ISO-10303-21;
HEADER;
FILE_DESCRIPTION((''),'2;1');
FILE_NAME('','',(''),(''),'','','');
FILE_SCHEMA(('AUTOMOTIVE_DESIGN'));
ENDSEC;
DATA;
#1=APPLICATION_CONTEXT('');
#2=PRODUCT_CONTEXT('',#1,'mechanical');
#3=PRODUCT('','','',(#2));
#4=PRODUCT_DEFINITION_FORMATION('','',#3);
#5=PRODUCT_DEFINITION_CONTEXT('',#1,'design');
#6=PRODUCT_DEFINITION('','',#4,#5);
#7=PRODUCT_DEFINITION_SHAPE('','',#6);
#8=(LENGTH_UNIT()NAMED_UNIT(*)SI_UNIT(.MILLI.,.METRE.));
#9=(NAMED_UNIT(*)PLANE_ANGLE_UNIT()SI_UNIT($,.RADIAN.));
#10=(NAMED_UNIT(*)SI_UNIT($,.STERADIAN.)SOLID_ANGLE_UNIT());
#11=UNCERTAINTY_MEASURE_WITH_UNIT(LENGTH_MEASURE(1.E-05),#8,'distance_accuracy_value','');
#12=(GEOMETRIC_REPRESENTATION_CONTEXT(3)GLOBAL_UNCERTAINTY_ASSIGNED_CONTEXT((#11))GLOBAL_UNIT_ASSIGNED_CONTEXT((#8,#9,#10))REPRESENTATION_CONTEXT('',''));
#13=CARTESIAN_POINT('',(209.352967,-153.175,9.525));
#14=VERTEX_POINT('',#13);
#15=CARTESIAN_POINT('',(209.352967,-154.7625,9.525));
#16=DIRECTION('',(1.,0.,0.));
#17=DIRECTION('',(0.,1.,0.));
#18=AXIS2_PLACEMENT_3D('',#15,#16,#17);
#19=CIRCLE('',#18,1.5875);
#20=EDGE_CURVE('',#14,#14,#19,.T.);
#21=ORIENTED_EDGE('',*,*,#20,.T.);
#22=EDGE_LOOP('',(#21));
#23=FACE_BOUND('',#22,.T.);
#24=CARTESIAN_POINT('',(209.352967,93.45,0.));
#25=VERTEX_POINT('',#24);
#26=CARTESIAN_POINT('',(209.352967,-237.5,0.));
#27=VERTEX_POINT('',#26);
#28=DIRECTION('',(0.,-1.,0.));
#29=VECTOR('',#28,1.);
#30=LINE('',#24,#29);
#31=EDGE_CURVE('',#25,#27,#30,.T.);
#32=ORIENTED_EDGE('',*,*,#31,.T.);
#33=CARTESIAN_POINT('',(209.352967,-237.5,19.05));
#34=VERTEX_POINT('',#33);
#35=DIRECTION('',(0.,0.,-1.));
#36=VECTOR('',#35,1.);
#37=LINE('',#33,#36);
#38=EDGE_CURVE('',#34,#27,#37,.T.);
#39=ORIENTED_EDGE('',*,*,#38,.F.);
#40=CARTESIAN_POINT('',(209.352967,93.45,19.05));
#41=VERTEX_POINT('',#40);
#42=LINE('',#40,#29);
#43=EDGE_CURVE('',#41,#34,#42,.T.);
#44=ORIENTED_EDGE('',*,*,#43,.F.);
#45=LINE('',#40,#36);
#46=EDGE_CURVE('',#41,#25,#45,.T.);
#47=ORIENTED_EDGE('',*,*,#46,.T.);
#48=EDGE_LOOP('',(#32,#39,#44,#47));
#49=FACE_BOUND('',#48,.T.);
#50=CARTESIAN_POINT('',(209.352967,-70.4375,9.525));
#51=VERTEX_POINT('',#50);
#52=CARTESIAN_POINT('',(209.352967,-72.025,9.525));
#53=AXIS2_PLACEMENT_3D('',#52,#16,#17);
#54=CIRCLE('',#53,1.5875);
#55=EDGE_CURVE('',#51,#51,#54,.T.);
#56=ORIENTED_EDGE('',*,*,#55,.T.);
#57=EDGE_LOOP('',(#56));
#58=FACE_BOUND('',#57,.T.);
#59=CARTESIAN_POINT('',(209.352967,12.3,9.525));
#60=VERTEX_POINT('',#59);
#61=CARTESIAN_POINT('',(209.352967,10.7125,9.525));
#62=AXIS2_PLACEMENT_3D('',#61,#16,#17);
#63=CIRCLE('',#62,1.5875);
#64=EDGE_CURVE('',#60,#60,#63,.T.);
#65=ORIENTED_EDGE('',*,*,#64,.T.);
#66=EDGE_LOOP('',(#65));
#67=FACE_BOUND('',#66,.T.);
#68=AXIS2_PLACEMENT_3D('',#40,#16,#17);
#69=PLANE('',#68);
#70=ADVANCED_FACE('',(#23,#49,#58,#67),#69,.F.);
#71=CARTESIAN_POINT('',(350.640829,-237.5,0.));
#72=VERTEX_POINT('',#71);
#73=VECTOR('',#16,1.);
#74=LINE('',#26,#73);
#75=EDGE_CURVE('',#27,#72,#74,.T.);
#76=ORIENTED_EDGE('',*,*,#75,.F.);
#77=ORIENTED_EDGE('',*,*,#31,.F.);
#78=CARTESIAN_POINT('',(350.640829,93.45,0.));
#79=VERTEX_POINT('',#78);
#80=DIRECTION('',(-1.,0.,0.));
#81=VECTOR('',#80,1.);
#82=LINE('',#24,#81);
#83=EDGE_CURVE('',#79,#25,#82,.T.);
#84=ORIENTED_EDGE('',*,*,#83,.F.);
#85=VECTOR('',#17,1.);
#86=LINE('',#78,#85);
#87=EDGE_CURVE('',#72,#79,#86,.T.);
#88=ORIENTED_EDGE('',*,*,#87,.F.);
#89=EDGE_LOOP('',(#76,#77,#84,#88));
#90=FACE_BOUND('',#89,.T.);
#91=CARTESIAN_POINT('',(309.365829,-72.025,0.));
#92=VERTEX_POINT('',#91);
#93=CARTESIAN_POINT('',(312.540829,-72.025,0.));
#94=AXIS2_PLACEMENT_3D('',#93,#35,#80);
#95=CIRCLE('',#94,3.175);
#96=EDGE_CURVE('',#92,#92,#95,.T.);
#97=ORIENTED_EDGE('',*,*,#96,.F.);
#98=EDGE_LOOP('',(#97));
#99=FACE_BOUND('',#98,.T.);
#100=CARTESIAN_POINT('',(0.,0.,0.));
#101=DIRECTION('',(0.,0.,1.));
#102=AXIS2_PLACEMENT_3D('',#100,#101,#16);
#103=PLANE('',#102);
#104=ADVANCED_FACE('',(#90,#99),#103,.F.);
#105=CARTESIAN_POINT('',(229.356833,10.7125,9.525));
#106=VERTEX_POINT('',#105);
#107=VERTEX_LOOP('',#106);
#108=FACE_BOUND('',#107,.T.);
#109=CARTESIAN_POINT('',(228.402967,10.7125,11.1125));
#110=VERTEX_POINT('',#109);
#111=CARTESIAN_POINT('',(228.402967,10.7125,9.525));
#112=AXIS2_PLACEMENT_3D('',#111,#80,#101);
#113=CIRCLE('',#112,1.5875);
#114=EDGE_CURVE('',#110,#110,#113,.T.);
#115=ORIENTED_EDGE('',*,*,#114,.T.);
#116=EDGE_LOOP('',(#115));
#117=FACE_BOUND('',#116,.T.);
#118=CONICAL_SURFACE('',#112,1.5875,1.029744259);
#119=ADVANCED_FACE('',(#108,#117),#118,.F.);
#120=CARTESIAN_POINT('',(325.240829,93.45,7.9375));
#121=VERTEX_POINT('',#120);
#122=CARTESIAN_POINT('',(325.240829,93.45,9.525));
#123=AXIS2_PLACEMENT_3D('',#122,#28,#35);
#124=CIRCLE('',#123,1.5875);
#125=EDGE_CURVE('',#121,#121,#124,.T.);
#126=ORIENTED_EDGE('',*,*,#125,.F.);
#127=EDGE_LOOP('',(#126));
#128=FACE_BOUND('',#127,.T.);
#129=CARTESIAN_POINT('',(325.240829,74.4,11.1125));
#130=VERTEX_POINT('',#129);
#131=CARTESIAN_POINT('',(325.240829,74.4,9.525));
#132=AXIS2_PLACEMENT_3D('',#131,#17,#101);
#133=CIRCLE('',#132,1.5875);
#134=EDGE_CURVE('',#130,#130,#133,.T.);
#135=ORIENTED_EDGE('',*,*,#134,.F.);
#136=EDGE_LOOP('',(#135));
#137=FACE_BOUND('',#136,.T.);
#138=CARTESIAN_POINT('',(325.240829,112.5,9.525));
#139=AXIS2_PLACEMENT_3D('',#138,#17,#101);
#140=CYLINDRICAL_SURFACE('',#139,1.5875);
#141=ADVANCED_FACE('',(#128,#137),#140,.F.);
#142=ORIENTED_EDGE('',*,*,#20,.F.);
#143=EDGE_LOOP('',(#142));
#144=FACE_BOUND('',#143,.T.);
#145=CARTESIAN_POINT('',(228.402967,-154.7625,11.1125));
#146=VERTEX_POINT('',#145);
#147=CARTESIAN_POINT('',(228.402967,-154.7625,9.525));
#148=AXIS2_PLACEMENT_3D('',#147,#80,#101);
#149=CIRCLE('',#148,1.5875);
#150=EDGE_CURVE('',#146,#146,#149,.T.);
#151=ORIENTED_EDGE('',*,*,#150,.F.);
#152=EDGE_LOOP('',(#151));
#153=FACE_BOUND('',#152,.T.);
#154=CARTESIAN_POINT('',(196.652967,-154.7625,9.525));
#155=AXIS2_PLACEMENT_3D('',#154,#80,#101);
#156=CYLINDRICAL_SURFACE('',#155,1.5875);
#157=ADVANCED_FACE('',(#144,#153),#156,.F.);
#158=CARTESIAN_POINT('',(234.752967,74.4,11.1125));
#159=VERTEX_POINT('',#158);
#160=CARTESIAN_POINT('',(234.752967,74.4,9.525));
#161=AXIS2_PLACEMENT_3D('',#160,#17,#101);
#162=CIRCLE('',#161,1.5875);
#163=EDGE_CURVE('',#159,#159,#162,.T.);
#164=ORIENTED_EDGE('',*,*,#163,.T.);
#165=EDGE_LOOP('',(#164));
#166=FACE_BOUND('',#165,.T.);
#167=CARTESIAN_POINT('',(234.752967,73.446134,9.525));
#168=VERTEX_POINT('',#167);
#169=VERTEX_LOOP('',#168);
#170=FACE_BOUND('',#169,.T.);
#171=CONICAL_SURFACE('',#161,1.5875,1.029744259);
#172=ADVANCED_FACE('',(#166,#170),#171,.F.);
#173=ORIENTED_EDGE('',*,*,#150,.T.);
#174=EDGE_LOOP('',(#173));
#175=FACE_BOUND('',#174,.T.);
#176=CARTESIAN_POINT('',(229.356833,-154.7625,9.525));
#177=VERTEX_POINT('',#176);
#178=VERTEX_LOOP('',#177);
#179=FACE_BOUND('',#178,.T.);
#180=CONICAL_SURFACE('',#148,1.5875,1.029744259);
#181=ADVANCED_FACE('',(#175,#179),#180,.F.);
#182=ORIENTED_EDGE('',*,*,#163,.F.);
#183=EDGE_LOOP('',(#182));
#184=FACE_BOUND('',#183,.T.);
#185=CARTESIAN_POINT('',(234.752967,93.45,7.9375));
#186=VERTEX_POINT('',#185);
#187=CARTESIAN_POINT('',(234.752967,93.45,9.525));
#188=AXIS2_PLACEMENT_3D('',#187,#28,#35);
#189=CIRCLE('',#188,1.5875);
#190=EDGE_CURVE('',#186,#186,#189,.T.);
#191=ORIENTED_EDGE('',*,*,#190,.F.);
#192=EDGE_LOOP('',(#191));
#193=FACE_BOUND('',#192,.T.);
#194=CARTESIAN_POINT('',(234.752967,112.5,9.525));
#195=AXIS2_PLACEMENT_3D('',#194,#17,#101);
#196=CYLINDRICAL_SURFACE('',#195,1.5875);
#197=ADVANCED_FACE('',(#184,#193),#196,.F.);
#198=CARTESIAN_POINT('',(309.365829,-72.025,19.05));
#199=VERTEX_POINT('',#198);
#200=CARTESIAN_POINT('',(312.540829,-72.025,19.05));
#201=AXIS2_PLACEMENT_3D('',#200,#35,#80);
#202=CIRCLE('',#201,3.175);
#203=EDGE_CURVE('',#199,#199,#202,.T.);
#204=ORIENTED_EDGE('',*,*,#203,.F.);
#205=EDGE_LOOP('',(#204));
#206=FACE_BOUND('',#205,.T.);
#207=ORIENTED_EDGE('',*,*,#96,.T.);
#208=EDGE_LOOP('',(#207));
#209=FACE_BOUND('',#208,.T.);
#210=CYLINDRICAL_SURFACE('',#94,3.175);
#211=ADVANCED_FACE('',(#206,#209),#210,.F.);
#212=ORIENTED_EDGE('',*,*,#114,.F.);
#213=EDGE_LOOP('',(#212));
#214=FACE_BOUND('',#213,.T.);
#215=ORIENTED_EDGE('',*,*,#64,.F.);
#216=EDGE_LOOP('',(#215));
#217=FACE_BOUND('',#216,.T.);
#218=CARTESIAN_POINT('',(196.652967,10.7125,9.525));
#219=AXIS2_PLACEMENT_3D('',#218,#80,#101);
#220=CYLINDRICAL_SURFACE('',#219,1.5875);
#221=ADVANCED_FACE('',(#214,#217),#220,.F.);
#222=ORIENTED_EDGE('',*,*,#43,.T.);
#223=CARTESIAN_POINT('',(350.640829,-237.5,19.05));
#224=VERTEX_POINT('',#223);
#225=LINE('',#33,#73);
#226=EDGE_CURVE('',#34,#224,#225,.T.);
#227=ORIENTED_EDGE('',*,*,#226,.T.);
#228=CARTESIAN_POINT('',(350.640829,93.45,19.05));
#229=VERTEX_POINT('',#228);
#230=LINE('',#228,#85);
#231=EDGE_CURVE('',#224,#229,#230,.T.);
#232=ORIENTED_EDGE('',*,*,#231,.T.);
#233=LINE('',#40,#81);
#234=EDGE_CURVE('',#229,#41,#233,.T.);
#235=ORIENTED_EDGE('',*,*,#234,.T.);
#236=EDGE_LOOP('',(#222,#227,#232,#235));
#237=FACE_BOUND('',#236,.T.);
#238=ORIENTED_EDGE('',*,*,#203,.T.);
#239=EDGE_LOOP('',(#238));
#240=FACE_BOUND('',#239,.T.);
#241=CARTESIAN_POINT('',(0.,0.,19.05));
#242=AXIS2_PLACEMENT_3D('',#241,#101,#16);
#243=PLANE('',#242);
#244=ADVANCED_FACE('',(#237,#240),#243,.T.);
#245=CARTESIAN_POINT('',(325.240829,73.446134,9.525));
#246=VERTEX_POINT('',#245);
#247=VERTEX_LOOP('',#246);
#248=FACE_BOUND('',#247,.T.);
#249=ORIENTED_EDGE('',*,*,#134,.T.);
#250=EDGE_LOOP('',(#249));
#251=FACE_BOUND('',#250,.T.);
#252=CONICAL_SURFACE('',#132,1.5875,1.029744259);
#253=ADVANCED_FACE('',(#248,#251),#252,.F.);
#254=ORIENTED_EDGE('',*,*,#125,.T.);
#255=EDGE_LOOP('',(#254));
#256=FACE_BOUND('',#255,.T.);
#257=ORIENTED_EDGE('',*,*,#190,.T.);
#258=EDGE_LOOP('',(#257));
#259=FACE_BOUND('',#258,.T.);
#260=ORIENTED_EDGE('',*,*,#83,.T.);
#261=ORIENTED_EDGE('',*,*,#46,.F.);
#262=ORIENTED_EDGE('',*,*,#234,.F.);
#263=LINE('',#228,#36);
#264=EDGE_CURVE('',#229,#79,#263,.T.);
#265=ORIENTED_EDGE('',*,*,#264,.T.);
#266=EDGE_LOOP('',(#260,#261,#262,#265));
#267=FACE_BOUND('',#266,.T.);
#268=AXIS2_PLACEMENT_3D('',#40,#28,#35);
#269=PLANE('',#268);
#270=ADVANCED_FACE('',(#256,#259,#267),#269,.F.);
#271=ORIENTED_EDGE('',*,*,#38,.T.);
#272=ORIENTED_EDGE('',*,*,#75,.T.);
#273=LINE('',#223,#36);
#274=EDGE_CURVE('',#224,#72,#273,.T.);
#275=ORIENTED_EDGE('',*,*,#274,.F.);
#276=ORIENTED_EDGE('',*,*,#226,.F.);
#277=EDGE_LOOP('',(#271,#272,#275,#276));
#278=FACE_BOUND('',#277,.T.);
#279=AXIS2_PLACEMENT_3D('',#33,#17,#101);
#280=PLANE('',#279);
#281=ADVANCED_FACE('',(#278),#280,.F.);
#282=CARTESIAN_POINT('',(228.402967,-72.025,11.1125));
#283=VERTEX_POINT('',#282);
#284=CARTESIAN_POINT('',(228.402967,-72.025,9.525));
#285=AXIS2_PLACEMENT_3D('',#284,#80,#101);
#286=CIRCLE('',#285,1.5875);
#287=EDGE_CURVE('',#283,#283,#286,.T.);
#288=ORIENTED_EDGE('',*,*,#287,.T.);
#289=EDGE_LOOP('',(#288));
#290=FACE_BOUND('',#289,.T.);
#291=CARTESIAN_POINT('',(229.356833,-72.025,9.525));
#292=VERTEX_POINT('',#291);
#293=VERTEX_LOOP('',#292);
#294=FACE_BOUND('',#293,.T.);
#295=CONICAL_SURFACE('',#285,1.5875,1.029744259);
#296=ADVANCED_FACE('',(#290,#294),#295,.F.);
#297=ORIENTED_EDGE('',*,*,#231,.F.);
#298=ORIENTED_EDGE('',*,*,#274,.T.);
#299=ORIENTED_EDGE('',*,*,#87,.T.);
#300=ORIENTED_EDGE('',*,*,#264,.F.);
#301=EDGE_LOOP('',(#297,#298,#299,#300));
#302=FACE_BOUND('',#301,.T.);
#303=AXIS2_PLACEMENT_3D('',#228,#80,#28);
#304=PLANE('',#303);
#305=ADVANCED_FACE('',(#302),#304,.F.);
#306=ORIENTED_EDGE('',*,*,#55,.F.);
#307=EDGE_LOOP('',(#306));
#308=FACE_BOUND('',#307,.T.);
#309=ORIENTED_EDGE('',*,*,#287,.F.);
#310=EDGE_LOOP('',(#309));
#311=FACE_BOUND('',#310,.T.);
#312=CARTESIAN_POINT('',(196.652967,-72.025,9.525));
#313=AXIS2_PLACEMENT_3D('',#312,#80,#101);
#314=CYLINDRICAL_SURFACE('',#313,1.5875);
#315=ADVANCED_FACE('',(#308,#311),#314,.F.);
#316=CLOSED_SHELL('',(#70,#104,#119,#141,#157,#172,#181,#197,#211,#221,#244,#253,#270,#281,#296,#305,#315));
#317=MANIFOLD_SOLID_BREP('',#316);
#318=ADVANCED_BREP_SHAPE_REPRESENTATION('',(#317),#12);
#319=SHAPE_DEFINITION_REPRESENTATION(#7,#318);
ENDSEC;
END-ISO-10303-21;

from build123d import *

# Parameters (mm, degrees)
SKETCH1_W                   = 141.287862113
SKETCH1_H                   = 330.949999988
BOSS_EXTRUDE1_DEPTH         = 19.05
HOLE1_D                     = 3.175
HOLE1_DEPTH                 = 31.75
HOLE1_CSINK_D               = 10.16
HOLE1_CSINK_ANGLE           = 82
HOLE1_TIP                   = 0.953866233
HOLE3_D                     = 3.175
HOLE3_DEPTH                 = 38.1
HOLE3_CSINK_D               = 10.16
HOLE3_CSINK_ANGLE           = 82
HOLE3_TIP                   = 0.953866233
F_1_4_0_25_DIAMETER_HOLE1_D = 6.35
HOLE4_D                     = 3.175
HOLE4_DEPTH                 = 31.75
HOLE4_CSINK_D               = 10.16
HOLE4_CSINK_ANGLE           = 82
HOLE4_TIP                   = 0.953866233
HOLE5_D                     = 3.175
HOLE5_DEPTH                 = 38.1
HOLE5_CSINK_D               = 10.16
HOLE5_CSINK_ANGLE           = 82
HOLE5_TIP                   = 0.953866233


with BuildPart() as part:
    # Sketch1 → Boss-Extrude1 (new body)
    with BuildSketch(Plane.XY):
        with Locations((279.996898238, -72.024999997)):
            Rectangle(SKETCH1_W, SKETCH1_H)
    extrude(amount=BOSS_EXTRUDE1_DEPTH)

    # Hole1
    with Locations(Plane(origin=(196.652967181, -72.024999997, 386.262770337), x_dir=(0, 1, 0), z_dir=(-1, 0, 0))):
        with Locations((174.999999994, 685.961004241), (174.999999994, 549.837259632), (174.999999994, 413.713515022), (81.549999997, 779.649723129), (81.549999997, 652.344645962), (62.499999997, 662.953402392), (62.499999997, 769.040966698), (-62.499999997, 769.040966698), (-62.499999997, 662.953402392), (-81.549999997, 652.344645962), (-81.549999997, 779.649723129), (-174.999999994, 413.713515022), (-174.999999994, 549.837259632), (-174.999999994, 685.961004241), (-82.737499997, 600.384620239), (0, 600.384620239), (82.737499997, 600.384620239), (0, 376.737770337), (-82.737499997, 376.737770337), (82.737499997, 376.737770337)):
            CounterSinkHole(HOLE1_D / 2, HOLE1_CSINK_D / 2, depth=HOLE1_DEPTH, counter_sink_angle=HOLE1_CSINK_ANGLE)
            with Locations((0, 0, -(HOLE1_DEPTH + HOLE1_TIP / 2))):  # 118° drill point
                Cone(0, HOLE1_D / 2, HOLE1_TIP, mode=Mode.SUBTRACT)

    # Hole3
    with Locations(Plane(origin=(-181.039434513, 112.499999997, 386.262770337), x_dir=(0.927183855, 0, -0.374606593), z_dir=(0, 1, 0))):
        with Locations((46.221112845, 113.488854888), (39.39759596, 37.945520226), (412.28786892, 80.423559293), (407.308516105, 25.297013484), (513.561319184, 161.164706775), (597.46020397, 127.267357003), (610.543339245, 159.649253123), (694.322923815, 367.011001477), (526.644454459, 193.546602895), (610.424039029, 400.908351249)):
            CounterSinkHole(HOLE3_D / 2, HOLE3_CSINK_D / 2, depth=HOLE3_DEPTH, counter_sink_angle=HOLE3_CSINK_ANGLE)
            with Locations((0, 0, -(HOLE3_DEPTH + HOLE3_TIP / 2))):  # 118° drill point
                Cone(0, HOLE3_D / 2, HOLE3_TIP, mode=Mode.SUBTRACT)

    # 1/4 (0.25) Diameter Hole1 (through all)
    with Locations(Plane(origin=(0, 0, 0), x_dir=(-1, 0, 0), z_dir=(0, 0, -1))):
        with Locations((-312.540829294, -72.024999997)):
            Hole(F_1_4_0_25_DIAMETER_HOLE1_D / 2)

    # Hole4
    with Locations(Plane(origin=(196.652967181, -72.024999997, 609.909620239), x_dir=(0, 1, 0), z_dir=(-1, 0, 0))):
        with Locations((174.999999994, 685.961004241), (174.999999994, 549.837259632), (174.999999994, 413.713515022), (81.549999997, 779.649723129), (81.549999997, 652.344645962), (62.499999997, 662.953402392), (62.499999997, 769.040966698), (-62.499999997, 769.040966698), (-62.499999997, 662.953402392), (-81.549999997, 652.344645962), (-81.549999997, 779.649723129), (-174.999999994, 413.713515022), (-174.999999994, 549.837259632), (-174.999999994, 685.961004241), (-82.737499997, 600.384620239), (0, 600.384620239), (82.737499997, 600.384620239), (0, 376.737770337), (-82.737499997, 376.737770337), (82.737499997, 376.737770337)):
            CounterSinkHole(HOLE4_D / 2, HOLE4_CSINK_D / 2, depth=HOLE4_DEPTH, counter_sink_angle=HOLE4_CSINK_ANGLE)
            with Locations((0, 0, -(HOLE4_DEPTH + HOLE4_TIP / 2))):  # 118° drill point
                Cone(0, HOLE4_D / 2, HOLE4_TIP, mode=Mode.SUBTRACT)

    # Hole5
    with Locations(Plane(origin=(-181.039434513, 112.499999997, 609.909620239), x_dir=(0.927183855, 0, -0.374606593), z_dir=(0, 1, 0))):
        with Locations((46.221112845, 113.488854888), (39.39759596, 37.945520226), (412.28786892, 80.423559293), (407.308516105, 25.297013484), (513.561319184, 161.164706775), (597.46020397, 127.267357003), (610.543339245, 159.649253123), (694.322923815, 367.011001477), (526.644454459, 193.546602895), (610.424039029, 400.908351249)):
            CounterSinkHole(HOLE5_D / 2, HOLE5_CSINK_D / 2, depth=HOLE5_DEPTH, counter_sink_angle=HOLE5_CSINK_ANGLE)
            with Locations((0, 0, -(HOLE5_DEPTH + HOLE5_TIP / 2))):  # 118° drill point
                Cone(0, HOLE5_D / 2, HOLE5_TIP, mode=Mode.SUBTRACT)


solid = part.part
